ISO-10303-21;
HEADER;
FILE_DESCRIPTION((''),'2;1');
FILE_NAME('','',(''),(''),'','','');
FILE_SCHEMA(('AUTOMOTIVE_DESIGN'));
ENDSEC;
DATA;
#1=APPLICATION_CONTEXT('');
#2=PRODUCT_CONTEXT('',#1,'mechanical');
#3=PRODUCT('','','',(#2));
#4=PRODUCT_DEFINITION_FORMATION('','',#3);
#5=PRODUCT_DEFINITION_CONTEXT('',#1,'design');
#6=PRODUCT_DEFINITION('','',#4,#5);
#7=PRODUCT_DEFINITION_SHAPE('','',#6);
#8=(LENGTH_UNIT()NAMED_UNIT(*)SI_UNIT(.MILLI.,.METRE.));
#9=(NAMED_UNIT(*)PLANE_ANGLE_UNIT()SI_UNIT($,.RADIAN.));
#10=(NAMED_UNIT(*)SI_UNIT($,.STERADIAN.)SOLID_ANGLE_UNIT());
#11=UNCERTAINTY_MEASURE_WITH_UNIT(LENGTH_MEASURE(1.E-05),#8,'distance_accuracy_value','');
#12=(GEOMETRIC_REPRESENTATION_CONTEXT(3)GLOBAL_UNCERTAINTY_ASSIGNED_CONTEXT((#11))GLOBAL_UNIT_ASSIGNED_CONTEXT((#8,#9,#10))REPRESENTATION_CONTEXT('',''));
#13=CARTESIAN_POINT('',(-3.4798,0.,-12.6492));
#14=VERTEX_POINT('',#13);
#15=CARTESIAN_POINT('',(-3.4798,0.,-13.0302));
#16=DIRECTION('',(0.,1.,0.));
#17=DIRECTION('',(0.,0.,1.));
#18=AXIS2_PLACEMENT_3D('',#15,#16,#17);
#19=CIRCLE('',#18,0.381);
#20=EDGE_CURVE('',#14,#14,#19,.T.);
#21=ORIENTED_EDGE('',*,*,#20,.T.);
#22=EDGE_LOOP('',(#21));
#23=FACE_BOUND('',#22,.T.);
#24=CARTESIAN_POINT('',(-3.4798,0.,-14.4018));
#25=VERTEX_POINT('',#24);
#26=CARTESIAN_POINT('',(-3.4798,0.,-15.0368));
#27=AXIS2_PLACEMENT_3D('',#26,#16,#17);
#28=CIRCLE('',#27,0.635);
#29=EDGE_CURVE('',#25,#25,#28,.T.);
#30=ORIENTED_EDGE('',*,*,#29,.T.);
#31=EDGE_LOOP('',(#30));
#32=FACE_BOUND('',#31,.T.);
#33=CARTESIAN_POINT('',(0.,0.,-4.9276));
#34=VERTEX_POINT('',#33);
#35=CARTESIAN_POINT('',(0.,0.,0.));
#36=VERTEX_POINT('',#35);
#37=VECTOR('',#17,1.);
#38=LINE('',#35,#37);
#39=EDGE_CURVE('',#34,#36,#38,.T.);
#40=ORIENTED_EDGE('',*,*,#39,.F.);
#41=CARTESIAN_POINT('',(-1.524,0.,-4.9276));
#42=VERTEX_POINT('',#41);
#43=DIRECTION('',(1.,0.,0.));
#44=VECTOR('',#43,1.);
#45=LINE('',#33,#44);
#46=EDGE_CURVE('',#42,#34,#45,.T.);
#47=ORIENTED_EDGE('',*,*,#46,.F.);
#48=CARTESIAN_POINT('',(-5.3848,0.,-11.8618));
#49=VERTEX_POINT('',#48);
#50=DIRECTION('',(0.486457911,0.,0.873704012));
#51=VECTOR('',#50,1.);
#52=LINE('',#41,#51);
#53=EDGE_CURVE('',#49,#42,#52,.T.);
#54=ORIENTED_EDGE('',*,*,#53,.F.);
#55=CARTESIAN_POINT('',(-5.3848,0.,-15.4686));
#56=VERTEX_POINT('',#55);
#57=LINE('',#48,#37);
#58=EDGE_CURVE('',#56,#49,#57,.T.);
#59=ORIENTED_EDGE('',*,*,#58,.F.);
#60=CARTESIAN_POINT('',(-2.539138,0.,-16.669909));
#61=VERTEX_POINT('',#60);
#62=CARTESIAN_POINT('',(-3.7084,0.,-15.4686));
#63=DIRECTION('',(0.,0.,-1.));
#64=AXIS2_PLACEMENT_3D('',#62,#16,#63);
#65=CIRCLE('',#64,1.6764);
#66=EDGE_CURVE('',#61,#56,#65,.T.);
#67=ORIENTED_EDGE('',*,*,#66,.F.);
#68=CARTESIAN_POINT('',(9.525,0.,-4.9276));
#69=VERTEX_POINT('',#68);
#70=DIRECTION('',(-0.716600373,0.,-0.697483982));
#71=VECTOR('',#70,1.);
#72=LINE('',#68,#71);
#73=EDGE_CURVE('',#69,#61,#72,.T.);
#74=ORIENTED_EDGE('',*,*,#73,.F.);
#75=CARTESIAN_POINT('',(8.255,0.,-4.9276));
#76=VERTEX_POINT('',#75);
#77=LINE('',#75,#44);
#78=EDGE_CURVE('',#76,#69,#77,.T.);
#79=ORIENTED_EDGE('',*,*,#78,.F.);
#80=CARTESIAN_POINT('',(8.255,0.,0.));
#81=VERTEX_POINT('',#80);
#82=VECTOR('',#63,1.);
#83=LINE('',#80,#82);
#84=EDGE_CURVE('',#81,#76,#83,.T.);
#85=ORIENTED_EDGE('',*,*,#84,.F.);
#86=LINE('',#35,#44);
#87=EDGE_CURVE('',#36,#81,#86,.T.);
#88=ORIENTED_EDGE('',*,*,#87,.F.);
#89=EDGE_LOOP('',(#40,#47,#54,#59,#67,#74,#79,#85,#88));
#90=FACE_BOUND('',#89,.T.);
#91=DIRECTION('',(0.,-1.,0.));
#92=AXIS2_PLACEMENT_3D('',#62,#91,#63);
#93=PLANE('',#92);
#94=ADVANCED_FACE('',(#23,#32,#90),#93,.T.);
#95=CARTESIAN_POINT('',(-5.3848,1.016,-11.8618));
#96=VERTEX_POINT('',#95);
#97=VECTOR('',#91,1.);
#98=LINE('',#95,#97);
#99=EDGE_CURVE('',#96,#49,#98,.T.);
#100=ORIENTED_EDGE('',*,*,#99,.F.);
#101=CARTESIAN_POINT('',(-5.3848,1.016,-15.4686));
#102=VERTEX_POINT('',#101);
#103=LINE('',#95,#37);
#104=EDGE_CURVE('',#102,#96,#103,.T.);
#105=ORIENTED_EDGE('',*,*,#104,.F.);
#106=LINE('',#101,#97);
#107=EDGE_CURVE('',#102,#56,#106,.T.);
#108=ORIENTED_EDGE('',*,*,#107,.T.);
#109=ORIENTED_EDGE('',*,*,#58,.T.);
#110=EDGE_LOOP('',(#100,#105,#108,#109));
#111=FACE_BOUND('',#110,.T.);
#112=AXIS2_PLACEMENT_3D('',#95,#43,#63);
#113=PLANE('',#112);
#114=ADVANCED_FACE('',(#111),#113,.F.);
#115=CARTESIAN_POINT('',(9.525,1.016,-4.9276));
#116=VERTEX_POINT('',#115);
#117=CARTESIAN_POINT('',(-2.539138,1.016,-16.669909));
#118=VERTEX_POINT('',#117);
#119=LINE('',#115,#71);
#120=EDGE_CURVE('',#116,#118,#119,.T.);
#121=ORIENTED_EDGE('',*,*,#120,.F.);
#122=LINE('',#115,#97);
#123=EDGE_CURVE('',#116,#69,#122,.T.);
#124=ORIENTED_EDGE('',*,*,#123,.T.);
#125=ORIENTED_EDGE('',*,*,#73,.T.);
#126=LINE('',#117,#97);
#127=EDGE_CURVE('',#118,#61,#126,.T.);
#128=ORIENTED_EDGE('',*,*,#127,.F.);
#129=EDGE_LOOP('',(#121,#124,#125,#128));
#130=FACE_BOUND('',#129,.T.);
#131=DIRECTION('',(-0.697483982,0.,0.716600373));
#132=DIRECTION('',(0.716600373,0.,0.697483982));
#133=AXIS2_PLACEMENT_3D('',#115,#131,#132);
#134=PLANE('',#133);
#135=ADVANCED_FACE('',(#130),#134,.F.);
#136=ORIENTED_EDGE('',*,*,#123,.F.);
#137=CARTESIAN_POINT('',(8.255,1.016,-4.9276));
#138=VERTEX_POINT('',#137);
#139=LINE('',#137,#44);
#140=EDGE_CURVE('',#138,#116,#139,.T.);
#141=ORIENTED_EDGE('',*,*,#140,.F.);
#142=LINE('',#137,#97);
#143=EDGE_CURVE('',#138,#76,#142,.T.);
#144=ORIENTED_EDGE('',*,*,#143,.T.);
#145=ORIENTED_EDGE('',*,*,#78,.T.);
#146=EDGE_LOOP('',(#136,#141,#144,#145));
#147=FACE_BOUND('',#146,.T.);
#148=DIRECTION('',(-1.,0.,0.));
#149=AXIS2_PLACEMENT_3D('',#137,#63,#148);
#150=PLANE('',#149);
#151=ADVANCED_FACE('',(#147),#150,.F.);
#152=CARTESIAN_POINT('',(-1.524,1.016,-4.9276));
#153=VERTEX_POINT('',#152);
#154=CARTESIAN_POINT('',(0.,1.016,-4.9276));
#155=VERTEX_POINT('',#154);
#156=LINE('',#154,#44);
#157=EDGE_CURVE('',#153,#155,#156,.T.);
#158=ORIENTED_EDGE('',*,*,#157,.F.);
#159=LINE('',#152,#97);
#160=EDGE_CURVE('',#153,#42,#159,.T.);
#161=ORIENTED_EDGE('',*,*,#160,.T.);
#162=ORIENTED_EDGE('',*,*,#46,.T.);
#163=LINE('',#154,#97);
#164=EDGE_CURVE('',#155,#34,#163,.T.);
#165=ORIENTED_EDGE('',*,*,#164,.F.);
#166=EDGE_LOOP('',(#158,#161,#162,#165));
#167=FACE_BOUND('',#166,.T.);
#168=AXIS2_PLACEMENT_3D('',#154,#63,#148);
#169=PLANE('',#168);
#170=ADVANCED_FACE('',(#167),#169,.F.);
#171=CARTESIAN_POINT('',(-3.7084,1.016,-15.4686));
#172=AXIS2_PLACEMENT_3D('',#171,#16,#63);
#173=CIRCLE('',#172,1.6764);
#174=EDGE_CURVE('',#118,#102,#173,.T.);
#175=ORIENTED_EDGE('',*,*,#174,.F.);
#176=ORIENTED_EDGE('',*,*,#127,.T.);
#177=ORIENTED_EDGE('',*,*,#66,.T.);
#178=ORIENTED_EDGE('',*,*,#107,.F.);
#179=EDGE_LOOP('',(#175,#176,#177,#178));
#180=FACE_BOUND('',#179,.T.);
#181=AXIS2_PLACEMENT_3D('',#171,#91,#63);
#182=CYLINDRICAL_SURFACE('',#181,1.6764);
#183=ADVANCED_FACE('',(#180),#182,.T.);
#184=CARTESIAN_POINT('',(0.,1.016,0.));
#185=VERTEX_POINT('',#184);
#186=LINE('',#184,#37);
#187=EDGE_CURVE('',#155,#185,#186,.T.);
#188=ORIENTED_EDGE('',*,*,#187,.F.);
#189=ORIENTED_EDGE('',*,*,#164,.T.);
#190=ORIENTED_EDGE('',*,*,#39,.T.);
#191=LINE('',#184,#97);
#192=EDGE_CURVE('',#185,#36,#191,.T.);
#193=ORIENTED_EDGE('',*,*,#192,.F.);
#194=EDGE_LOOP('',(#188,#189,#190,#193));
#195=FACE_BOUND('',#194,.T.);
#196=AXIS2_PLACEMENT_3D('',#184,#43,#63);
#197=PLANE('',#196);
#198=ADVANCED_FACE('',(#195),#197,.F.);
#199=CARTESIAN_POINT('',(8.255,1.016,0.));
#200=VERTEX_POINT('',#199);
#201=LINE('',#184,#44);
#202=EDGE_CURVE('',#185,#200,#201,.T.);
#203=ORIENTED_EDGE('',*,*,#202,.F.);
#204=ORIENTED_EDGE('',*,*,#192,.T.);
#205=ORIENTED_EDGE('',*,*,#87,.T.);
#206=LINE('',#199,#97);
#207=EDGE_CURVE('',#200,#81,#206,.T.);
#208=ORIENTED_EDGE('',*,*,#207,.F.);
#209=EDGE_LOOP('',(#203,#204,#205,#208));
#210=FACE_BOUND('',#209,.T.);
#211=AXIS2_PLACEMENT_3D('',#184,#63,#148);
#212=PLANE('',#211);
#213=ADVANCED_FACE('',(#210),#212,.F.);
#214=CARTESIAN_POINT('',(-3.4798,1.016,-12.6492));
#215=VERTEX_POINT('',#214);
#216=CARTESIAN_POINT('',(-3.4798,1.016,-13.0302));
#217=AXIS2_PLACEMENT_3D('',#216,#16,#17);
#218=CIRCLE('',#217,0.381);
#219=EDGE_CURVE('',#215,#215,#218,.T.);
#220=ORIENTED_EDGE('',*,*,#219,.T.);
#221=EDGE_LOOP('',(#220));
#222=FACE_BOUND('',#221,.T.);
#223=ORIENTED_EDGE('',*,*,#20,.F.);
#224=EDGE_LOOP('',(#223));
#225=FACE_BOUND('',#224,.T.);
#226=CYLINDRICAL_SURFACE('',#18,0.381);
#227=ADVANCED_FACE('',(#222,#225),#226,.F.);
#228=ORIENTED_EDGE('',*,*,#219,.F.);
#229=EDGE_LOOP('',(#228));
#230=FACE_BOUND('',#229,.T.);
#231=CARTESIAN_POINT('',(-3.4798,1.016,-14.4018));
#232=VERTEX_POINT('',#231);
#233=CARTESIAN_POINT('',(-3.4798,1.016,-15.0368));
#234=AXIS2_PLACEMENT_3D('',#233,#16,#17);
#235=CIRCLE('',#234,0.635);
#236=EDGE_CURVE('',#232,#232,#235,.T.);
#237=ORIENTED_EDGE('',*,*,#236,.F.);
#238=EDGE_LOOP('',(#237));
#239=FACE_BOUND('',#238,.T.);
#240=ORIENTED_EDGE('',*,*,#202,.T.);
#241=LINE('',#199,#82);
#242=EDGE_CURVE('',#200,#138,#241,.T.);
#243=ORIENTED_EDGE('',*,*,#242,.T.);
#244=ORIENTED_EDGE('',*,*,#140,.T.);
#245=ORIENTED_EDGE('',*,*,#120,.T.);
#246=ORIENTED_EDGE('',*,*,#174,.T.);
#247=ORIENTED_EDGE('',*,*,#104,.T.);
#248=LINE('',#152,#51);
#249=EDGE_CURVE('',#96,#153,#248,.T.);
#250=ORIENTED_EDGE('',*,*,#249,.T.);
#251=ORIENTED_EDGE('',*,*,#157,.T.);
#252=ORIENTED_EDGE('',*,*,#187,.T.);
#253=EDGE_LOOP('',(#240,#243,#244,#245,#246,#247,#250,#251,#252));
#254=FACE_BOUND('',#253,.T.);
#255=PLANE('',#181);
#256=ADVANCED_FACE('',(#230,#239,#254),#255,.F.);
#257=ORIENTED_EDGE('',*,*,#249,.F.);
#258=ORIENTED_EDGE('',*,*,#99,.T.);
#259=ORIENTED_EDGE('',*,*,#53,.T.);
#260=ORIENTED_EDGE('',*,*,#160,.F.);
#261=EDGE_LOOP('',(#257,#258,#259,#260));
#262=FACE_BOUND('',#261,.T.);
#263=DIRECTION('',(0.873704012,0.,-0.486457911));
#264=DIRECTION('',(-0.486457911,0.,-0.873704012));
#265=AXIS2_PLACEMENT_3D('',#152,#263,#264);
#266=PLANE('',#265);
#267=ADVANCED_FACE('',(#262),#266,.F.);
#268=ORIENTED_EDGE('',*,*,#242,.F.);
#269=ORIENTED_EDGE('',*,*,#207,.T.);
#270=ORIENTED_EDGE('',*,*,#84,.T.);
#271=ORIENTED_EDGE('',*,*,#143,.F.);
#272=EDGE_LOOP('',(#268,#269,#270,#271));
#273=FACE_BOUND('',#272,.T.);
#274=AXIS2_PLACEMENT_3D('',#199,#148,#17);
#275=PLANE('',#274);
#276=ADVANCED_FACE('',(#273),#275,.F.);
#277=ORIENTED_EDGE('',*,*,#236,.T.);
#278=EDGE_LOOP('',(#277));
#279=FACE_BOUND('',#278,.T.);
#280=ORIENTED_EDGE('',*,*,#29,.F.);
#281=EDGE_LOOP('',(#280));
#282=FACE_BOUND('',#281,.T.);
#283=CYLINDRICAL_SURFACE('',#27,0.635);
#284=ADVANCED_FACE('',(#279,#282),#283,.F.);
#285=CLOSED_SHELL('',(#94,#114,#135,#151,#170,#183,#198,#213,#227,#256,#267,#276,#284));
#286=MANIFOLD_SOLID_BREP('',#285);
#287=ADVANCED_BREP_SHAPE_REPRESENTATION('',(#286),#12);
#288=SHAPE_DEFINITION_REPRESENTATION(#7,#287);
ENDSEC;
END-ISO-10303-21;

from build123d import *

# Parameters (mm, degrees)
BOSS_EXTRUDE1_DEPTH = 1.016
SKETCH2_R           = 0.635
SKETCH2_R_2         = 0.381
CUT_EXTRUDE1_DEPTH  = 20.63947316


with BuildPart() as part:
    # Sketch1 → Boss-Extrude1 (new body)
    with BuildSketch(Plane(origin=(0, 0, 0), x_dir=(1, 0, 0), z_dir=(0, 1, 0))):
        with BuildLine():
            Line((0, 0), (8.255, 0))
            Line((8.255, 0), (8.255, 4.9276))
            Line((8.255, 4.9276), (9.525, 4.9276))
            Line((9.525, 4.9276), (-2.539137852, 16.669908865))
            ThreePointArc((-2.539137852, 16.669908865), (-4.360383855, 17.013020284), (-5.3848, 15.4686))
            Line((-5.3848, 15.4686), (-5.3848, 11.8618))
            Line((-5.3848, 11.8618), (-1.524, 4.9276))
            Line((-1.524, 4.9276), (0, 4.9276))
            Line((0, 4.9276), (0, 0))
        make_face()
    extrude(amount=BOSS_EXTRUDE1_DEPTH)

    # Sketch2 → Cut-Extrude1 (cut, through all)
    with BuildSketch(Plane(origin=(0, 1.016, 0), x_dir=(1, 0, 0), z_dir=(0, 1, 0))):
        with Locations(Location((-3.4798, 15.0368, 0), (0, 0, 270))):
            Circle(SKETCH2_R)
        with Locations(Location((-3.4798, 13.0302, 0), (0, 0, 270))):
            Circle(SKETCH2_R_2)
    extrude(amount=-CUT_EXTRUDE1_DEPTH, mode=Mode.SUBTRACT)


solid = part.part
